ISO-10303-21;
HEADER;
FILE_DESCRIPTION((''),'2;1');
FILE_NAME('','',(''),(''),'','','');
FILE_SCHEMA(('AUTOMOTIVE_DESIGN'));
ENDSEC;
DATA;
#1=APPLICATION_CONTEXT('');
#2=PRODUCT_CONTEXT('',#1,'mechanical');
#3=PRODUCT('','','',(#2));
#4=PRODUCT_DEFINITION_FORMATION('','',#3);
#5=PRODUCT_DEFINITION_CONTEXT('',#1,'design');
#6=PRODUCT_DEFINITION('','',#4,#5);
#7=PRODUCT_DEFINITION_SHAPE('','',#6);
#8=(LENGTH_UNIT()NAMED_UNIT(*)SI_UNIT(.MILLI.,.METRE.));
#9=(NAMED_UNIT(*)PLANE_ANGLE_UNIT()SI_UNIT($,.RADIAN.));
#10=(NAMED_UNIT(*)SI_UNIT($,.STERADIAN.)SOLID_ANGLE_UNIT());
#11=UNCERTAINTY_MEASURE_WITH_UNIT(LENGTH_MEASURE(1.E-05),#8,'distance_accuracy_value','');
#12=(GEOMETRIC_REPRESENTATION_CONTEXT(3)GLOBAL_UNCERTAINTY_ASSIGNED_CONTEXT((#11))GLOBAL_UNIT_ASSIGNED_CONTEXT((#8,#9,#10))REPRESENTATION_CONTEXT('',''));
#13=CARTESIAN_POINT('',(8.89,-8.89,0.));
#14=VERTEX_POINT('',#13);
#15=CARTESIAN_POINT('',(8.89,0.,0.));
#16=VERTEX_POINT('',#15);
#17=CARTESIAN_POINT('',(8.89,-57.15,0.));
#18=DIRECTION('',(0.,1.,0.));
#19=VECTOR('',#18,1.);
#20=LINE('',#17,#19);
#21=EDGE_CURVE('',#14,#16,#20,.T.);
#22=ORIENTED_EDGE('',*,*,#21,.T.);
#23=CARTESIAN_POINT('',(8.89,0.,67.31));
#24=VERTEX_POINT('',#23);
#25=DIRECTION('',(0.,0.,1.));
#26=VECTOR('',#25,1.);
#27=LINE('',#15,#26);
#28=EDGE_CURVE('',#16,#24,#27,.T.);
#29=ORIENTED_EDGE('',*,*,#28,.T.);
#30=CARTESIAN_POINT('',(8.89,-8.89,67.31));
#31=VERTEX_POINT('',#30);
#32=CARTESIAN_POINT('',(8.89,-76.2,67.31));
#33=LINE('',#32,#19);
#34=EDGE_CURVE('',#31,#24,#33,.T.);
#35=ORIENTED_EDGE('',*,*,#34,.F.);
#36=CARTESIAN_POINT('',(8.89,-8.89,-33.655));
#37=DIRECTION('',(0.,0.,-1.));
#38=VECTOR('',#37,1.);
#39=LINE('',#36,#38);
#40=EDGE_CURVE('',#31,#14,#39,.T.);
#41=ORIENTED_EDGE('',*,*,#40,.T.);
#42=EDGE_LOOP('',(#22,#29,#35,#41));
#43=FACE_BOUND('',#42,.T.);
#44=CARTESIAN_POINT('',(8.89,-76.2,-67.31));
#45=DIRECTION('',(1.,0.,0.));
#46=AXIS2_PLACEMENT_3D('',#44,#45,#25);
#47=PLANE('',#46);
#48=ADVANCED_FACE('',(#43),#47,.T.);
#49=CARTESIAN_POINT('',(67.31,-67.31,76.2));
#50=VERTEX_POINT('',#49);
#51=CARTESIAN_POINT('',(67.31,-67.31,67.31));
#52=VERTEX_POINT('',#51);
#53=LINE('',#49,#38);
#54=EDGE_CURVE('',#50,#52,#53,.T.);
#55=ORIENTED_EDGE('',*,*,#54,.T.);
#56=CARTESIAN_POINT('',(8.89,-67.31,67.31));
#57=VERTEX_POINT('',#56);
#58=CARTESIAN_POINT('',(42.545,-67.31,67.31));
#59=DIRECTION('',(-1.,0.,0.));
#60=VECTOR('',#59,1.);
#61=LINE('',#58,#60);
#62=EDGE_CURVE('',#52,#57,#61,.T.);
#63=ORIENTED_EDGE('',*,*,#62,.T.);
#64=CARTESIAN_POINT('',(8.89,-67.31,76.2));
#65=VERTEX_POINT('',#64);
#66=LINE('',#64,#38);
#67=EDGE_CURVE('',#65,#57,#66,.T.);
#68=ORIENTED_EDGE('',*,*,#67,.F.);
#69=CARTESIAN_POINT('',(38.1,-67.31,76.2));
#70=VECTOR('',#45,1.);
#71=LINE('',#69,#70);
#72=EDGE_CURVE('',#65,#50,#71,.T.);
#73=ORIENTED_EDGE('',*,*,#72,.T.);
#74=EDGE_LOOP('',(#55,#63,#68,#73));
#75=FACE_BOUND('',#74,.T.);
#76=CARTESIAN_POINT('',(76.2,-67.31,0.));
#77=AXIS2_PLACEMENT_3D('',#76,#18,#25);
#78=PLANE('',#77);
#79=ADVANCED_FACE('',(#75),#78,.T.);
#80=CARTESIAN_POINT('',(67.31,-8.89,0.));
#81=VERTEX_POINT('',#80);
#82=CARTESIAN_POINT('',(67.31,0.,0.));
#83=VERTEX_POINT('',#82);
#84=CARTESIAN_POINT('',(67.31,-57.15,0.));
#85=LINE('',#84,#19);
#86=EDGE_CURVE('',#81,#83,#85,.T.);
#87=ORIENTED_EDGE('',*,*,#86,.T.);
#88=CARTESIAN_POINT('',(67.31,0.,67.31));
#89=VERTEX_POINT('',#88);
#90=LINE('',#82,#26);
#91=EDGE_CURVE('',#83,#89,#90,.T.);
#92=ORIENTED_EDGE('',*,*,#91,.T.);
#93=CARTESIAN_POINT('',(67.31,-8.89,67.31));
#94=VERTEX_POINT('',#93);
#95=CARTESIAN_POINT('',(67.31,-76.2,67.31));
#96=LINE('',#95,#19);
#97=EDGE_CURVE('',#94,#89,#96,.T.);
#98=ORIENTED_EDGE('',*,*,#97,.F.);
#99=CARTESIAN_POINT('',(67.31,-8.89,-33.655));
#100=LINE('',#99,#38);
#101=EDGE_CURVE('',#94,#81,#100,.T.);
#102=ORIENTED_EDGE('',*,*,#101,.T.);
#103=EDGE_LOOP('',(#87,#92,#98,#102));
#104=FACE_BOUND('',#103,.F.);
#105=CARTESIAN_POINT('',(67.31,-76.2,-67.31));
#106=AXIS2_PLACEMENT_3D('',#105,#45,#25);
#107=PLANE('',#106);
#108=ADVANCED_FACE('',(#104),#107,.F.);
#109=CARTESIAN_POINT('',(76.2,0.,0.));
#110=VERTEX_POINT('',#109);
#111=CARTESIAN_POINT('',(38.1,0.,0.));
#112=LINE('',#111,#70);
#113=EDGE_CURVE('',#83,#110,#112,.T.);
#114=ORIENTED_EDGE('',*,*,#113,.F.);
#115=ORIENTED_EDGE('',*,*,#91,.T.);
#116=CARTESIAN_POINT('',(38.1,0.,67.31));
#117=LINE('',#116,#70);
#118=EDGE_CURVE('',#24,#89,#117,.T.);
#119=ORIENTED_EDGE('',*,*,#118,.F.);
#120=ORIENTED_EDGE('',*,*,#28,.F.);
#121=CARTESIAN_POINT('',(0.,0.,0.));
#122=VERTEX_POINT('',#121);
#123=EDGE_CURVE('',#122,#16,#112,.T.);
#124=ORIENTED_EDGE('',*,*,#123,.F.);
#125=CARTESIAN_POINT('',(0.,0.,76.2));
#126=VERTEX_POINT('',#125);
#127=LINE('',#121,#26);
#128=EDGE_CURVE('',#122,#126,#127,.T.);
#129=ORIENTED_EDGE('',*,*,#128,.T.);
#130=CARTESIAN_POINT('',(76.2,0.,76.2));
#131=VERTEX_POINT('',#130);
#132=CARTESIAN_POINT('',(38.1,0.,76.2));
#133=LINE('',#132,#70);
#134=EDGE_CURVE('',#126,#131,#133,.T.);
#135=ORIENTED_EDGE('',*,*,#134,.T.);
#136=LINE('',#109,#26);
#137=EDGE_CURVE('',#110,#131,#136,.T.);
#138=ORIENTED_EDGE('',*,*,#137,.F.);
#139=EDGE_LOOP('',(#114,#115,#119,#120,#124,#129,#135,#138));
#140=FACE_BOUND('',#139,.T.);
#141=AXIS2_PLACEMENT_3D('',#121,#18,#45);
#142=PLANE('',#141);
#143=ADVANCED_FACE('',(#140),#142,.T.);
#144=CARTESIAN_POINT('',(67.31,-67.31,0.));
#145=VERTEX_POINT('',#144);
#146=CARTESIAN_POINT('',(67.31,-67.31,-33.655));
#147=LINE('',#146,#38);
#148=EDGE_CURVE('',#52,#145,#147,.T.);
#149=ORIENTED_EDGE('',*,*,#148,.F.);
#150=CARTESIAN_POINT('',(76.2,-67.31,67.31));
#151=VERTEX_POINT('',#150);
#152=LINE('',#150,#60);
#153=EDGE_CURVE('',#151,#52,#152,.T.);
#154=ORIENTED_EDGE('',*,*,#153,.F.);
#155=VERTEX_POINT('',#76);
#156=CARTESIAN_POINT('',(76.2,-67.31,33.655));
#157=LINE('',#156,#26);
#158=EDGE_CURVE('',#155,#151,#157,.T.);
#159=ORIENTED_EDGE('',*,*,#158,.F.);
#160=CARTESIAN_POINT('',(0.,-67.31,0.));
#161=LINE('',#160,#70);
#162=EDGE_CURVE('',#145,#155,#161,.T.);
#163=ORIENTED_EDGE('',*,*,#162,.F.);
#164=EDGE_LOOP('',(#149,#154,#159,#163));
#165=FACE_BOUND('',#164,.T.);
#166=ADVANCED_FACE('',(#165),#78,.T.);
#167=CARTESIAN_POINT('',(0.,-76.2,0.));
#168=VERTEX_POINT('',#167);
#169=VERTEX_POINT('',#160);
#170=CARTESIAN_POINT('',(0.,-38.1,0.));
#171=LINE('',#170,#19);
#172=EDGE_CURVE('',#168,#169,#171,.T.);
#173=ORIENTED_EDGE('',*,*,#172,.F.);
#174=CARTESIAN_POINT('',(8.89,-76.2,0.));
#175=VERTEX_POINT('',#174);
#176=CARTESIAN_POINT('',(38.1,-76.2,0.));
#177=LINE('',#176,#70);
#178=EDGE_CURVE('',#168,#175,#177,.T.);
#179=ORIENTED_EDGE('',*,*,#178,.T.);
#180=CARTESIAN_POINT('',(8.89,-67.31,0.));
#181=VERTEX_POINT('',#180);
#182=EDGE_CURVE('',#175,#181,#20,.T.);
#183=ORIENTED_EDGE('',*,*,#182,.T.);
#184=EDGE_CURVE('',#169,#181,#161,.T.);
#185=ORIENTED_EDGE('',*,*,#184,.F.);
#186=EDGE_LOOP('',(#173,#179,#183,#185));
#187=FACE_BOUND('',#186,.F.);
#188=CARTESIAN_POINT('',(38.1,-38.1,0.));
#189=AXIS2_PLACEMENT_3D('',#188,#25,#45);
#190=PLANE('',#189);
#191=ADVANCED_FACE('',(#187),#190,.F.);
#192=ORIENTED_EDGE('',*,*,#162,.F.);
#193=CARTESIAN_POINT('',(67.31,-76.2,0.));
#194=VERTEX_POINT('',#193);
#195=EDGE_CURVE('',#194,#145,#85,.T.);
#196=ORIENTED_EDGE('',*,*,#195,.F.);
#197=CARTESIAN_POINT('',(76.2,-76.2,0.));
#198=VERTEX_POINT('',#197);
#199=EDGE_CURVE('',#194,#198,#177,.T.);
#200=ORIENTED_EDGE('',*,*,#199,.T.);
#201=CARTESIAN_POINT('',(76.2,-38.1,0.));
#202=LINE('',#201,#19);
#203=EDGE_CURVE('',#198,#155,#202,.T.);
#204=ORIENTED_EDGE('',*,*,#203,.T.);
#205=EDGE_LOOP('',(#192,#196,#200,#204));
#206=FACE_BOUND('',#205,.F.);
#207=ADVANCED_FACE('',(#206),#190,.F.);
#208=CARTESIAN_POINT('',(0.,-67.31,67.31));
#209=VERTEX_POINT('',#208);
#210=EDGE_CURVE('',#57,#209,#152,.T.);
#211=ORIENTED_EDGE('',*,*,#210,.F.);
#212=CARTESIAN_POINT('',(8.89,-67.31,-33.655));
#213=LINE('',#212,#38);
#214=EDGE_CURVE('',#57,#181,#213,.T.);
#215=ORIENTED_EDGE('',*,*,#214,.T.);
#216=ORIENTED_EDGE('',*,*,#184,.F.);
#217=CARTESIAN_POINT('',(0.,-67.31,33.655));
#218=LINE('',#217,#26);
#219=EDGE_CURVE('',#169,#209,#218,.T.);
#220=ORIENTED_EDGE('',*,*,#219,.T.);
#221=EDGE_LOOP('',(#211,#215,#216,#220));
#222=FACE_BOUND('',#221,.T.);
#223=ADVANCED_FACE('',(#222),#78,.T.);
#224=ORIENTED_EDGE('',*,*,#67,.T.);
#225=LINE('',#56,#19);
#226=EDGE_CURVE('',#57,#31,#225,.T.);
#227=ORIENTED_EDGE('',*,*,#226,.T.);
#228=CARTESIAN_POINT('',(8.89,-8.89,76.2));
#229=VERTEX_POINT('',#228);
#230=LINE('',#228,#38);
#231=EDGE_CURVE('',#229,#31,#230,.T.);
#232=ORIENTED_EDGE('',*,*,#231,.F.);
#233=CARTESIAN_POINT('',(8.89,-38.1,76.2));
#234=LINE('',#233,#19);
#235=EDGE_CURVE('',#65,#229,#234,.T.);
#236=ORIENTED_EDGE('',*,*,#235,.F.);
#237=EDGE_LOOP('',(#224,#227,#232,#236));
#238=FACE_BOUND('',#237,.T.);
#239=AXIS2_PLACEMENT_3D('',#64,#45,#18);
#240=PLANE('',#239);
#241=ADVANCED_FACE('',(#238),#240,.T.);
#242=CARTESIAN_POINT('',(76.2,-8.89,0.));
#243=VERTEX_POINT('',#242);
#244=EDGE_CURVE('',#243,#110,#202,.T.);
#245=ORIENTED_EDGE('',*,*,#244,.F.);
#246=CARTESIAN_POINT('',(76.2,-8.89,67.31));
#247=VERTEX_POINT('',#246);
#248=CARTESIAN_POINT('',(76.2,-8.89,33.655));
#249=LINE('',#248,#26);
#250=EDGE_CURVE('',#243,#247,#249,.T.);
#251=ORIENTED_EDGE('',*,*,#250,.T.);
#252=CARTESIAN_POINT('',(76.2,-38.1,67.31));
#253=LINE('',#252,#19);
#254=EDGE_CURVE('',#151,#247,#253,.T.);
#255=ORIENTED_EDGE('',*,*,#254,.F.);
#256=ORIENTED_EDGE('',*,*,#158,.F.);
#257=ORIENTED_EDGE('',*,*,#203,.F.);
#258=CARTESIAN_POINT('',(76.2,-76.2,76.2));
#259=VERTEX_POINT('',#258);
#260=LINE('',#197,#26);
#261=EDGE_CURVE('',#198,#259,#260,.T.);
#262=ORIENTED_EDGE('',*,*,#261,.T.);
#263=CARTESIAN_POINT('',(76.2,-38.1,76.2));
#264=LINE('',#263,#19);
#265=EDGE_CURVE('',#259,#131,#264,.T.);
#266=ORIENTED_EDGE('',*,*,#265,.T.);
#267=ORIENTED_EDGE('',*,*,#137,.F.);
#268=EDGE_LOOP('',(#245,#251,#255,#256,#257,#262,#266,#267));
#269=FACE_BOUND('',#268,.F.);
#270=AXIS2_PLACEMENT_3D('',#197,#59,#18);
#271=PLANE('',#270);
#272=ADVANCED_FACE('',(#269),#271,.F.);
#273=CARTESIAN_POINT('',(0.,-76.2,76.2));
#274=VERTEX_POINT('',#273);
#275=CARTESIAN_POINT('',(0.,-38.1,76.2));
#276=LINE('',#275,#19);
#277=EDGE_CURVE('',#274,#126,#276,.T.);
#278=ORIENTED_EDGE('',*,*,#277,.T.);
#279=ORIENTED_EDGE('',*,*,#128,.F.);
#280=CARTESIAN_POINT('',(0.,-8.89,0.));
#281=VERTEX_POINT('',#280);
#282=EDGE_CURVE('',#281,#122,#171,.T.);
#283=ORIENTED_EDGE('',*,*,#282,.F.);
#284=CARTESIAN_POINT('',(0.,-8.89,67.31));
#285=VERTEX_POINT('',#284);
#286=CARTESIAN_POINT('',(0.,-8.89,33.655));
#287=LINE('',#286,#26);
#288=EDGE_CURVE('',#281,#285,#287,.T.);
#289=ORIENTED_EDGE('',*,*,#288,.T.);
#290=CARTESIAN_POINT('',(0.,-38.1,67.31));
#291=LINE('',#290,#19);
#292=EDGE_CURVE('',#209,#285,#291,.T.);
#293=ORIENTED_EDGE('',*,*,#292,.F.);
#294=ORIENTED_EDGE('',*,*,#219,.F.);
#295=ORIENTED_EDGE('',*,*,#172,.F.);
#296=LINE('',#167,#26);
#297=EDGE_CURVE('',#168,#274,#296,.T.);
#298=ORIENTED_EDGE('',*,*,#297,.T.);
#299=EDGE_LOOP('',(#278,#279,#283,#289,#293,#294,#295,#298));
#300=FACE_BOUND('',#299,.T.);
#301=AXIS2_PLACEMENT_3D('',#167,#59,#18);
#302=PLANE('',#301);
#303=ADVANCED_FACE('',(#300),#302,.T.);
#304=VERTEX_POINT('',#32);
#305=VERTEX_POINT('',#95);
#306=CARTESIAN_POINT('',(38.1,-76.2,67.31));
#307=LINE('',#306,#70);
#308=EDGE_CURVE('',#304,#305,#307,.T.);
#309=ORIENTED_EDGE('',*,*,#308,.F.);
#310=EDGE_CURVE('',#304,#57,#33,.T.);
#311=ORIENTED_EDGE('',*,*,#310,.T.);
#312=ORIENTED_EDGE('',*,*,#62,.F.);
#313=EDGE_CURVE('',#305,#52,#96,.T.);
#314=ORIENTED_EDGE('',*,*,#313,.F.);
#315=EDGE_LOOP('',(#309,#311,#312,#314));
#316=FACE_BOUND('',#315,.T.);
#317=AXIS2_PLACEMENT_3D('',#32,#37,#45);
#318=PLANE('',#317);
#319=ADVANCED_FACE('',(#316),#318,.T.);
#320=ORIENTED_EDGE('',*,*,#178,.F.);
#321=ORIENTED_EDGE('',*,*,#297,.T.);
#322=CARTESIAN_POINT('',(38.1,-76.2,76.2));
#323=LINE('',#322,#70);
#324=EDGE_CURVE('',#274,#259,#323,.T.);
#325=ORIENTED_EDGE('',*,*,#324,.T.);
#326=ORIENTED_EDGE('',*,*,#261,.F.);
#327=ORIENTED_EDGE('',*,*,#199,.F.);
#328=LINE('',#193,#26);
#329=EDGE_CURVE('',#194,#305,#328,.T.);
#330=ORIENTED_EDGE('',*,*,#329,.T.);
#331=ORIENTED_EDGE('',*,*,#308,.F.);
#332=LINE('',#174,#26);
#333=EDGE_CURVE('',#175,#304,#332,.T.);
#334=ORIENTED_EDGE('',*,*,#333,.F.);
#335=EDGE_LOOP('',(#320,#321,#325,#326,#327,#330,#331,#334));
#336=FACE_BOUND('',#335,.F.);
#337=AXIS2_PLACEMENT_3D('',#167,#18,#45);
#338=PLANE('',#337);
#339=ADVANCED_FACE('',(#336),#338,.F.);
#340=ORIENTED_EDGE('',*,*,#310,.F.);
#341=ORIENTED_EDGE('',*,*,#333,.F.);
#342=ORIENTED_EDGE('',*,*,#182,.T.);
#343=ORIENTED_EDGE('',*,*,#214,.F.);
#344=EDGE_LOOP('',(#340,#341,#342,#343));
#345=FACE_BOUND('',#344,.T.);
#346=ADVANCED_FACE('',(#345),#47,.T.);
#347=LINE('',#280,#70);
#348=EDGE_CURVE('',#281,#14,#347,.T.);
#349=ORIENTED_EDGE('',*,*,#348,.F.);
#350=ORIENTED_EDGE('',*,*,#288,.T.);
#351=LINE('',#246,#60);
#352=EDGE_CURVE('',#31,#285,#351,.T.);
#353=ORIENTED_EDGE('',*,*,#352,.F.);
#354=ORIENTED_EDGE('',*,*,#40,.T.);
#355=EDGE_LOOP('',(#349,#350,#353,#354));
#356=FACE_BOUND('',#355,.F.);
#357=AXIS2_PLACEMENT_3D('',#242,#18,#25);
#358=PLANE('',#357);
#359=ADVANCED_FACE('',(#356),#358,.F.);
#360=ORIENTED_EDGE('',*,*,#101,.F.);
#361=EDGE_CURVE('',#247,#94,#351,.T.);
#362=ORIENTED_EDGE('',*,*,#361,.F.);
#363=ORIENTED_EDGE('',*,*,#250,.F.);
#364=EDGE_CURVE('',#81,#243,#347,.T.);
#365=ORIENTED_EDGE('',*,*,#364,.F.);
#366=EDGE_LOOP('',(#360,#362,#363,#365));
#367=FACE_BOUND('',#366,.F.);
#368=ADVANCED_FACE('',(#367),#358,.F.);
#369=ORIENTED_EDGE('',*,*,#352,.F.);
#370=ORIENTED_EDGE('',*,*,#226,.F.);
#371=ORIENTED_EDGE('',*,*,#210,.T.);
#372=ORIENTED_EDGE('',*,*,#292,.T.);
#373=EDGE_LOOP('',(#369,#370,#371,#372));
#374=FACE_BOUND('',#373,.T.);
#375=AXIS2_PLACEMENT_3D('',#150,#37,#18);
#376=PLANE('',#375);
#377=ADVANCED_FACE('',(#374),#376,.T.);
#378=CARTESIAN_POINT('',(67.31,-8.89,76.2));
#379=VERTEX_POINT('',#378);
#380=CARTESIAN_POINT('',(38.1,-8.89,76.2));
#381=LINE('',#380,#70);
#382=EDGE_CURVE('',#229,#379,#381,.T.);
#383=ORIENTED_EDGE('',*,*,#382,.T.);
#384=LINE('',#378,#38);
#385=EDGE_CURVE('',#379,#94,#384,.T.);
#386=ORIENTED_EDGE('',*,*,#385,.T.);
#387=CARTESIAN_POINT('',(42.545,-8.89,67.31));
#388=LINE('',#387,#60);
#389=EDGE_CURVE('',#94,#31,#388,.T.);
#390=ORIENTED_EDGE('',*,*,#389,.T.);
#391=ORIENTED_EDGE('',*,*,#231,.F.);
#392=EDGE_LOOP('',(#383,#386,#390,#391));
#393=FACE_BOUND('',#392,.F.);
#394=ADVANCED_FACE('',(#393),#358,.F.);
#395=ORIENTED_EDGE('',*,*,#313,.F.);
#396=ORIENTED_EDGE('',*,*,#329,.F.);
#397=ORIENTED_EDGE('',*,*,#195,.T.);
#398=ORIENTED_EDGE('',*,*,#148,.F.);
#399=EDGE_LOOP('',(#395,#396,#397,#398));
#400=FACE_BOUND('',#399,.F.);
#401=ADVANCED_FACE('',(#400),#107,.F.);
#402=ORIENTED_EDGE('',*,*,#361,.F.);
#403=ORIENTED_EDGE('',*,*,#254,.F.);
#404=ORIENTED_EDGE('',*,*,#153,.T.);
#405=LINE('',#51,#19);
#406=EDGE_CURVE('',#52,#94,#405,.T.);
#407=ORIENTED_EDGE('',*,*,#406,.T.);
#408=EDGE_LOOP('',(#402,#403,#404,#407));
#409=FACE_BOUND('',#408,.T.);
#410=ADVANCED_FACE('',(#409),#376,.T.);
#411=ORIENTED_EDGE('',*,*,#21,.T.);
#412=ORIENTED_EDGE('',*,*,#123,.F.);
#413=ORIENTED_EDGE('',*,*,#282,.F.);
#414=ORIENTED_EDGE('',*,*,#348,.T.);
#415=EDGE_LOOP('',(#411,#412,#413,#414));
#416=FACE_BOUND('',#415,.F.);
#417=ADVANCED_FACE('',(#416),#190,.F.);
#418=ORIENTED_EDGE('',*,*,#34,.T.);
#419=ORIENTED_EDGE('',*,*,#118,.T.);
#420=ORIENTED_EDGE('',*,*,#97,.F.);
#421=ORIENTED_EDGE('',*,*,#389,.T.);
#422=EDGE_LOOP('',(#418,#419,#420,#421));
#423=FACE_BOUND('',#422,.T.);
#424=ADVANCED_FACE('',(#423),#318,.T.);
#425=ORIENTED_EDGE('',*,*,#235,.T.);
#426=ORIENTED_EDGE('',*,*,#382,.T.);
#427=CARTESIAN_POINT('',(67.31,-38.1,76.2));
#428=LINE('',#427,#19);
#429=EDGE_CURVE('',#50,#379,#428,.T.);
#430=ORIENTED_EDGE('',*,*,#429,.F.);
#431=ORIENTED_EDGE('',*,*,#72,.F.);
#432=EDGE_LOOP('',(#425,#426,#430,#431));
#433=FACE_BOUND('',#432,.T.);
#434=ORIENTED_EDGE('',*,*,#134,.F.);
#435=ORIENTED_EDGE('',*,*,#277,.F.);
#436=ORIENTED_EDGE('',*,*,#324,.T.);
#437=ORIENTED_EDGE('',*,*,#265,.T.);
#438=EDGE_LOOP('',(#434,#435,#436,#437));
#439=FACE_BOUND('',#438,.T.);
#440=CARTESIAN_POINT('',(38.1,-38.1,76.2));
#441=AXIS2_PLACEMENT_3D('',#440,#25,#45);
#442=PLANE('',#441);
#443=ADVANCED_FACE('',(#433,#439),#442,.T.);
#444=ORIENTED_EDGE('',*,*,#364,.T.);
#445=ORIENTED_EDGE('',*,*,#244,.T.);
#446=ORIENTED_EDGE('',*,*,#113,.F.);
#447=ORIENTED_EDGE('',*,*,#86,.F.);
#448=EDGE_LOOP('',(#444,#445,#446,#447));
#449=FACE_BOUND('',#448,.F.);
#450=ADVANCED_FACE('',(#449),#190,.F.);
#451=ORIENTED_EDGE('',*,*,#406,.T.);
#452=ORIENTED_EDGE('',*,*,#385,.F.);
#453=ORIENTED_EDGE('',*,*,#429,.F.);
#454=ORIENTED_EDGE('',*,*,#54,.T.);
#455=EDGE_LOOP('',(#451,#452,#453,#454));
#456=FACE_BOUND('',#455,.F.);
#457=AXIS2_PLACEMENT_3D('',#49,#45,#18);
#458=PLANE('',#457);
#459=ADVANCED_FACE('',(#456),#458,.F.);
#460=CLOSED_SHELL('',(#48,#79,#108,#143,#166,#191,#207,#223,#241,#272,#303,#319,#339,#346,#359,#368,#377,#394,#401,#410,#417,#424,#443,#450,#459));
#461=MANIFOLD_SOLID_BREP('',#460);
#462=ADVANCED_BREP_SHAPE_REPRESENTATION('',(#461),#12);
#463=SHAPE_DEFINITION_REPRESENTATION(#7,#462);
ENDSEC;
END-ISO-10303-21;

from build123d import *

# Parameters (mm, degrees)
F0_W     = 76.2
F0_H     = 76.2
F1_DEPTH = 76.2
F2_W     = 58.42
F2_H     = 58.42
F3_DEPTH = 76.2
F4_W     = 58.42
F4_H     = 67.31
F5_DEPTH = 76.2
F6_W     = 58.42
F6_H     = 134.62
F7_DEPTH = 76.2


with BuildPart() as f1:
    # F0 (on Top) → F1 (new body)
    with BuildSketch(Plane.XY):
        with Locations((38.1, -38.1)):
            Rectangle(F0_W, F0_H)
    extrude(amount=F1_DEPTH)

    # F2 (on face) → F3 (cut)
    with BuildSketch(Plane.XY.offset(76.2)):
        with Locations((38.1, -38.1)):
            Rectangle(F2_W, F2_H)
    extrude(amount=-F3_DEPTH, mode=Mode.SUBTRACT)

    # F4 (on face) → F5 (cut)
    with BuildSketch(Plane.YZ.offset(76.2)):
        with Locations((-38.1, 33.655)):
            Rectangle(F4_W, F4_H)
    extrude(amount=-F5_DEPTH, mode=Mode.SUBTRACT)

    # F6 (on face) → F7 (cut)
    with BuildSketch(Plane.XZ.offset(76.2)):
        with Locations((38.1, 0)):
            Rectangle(F6_W, F6_H)
    extrude(amount=-F7_DEPTH, mode=Mode.SUBTRACT)


solid = f1.part
